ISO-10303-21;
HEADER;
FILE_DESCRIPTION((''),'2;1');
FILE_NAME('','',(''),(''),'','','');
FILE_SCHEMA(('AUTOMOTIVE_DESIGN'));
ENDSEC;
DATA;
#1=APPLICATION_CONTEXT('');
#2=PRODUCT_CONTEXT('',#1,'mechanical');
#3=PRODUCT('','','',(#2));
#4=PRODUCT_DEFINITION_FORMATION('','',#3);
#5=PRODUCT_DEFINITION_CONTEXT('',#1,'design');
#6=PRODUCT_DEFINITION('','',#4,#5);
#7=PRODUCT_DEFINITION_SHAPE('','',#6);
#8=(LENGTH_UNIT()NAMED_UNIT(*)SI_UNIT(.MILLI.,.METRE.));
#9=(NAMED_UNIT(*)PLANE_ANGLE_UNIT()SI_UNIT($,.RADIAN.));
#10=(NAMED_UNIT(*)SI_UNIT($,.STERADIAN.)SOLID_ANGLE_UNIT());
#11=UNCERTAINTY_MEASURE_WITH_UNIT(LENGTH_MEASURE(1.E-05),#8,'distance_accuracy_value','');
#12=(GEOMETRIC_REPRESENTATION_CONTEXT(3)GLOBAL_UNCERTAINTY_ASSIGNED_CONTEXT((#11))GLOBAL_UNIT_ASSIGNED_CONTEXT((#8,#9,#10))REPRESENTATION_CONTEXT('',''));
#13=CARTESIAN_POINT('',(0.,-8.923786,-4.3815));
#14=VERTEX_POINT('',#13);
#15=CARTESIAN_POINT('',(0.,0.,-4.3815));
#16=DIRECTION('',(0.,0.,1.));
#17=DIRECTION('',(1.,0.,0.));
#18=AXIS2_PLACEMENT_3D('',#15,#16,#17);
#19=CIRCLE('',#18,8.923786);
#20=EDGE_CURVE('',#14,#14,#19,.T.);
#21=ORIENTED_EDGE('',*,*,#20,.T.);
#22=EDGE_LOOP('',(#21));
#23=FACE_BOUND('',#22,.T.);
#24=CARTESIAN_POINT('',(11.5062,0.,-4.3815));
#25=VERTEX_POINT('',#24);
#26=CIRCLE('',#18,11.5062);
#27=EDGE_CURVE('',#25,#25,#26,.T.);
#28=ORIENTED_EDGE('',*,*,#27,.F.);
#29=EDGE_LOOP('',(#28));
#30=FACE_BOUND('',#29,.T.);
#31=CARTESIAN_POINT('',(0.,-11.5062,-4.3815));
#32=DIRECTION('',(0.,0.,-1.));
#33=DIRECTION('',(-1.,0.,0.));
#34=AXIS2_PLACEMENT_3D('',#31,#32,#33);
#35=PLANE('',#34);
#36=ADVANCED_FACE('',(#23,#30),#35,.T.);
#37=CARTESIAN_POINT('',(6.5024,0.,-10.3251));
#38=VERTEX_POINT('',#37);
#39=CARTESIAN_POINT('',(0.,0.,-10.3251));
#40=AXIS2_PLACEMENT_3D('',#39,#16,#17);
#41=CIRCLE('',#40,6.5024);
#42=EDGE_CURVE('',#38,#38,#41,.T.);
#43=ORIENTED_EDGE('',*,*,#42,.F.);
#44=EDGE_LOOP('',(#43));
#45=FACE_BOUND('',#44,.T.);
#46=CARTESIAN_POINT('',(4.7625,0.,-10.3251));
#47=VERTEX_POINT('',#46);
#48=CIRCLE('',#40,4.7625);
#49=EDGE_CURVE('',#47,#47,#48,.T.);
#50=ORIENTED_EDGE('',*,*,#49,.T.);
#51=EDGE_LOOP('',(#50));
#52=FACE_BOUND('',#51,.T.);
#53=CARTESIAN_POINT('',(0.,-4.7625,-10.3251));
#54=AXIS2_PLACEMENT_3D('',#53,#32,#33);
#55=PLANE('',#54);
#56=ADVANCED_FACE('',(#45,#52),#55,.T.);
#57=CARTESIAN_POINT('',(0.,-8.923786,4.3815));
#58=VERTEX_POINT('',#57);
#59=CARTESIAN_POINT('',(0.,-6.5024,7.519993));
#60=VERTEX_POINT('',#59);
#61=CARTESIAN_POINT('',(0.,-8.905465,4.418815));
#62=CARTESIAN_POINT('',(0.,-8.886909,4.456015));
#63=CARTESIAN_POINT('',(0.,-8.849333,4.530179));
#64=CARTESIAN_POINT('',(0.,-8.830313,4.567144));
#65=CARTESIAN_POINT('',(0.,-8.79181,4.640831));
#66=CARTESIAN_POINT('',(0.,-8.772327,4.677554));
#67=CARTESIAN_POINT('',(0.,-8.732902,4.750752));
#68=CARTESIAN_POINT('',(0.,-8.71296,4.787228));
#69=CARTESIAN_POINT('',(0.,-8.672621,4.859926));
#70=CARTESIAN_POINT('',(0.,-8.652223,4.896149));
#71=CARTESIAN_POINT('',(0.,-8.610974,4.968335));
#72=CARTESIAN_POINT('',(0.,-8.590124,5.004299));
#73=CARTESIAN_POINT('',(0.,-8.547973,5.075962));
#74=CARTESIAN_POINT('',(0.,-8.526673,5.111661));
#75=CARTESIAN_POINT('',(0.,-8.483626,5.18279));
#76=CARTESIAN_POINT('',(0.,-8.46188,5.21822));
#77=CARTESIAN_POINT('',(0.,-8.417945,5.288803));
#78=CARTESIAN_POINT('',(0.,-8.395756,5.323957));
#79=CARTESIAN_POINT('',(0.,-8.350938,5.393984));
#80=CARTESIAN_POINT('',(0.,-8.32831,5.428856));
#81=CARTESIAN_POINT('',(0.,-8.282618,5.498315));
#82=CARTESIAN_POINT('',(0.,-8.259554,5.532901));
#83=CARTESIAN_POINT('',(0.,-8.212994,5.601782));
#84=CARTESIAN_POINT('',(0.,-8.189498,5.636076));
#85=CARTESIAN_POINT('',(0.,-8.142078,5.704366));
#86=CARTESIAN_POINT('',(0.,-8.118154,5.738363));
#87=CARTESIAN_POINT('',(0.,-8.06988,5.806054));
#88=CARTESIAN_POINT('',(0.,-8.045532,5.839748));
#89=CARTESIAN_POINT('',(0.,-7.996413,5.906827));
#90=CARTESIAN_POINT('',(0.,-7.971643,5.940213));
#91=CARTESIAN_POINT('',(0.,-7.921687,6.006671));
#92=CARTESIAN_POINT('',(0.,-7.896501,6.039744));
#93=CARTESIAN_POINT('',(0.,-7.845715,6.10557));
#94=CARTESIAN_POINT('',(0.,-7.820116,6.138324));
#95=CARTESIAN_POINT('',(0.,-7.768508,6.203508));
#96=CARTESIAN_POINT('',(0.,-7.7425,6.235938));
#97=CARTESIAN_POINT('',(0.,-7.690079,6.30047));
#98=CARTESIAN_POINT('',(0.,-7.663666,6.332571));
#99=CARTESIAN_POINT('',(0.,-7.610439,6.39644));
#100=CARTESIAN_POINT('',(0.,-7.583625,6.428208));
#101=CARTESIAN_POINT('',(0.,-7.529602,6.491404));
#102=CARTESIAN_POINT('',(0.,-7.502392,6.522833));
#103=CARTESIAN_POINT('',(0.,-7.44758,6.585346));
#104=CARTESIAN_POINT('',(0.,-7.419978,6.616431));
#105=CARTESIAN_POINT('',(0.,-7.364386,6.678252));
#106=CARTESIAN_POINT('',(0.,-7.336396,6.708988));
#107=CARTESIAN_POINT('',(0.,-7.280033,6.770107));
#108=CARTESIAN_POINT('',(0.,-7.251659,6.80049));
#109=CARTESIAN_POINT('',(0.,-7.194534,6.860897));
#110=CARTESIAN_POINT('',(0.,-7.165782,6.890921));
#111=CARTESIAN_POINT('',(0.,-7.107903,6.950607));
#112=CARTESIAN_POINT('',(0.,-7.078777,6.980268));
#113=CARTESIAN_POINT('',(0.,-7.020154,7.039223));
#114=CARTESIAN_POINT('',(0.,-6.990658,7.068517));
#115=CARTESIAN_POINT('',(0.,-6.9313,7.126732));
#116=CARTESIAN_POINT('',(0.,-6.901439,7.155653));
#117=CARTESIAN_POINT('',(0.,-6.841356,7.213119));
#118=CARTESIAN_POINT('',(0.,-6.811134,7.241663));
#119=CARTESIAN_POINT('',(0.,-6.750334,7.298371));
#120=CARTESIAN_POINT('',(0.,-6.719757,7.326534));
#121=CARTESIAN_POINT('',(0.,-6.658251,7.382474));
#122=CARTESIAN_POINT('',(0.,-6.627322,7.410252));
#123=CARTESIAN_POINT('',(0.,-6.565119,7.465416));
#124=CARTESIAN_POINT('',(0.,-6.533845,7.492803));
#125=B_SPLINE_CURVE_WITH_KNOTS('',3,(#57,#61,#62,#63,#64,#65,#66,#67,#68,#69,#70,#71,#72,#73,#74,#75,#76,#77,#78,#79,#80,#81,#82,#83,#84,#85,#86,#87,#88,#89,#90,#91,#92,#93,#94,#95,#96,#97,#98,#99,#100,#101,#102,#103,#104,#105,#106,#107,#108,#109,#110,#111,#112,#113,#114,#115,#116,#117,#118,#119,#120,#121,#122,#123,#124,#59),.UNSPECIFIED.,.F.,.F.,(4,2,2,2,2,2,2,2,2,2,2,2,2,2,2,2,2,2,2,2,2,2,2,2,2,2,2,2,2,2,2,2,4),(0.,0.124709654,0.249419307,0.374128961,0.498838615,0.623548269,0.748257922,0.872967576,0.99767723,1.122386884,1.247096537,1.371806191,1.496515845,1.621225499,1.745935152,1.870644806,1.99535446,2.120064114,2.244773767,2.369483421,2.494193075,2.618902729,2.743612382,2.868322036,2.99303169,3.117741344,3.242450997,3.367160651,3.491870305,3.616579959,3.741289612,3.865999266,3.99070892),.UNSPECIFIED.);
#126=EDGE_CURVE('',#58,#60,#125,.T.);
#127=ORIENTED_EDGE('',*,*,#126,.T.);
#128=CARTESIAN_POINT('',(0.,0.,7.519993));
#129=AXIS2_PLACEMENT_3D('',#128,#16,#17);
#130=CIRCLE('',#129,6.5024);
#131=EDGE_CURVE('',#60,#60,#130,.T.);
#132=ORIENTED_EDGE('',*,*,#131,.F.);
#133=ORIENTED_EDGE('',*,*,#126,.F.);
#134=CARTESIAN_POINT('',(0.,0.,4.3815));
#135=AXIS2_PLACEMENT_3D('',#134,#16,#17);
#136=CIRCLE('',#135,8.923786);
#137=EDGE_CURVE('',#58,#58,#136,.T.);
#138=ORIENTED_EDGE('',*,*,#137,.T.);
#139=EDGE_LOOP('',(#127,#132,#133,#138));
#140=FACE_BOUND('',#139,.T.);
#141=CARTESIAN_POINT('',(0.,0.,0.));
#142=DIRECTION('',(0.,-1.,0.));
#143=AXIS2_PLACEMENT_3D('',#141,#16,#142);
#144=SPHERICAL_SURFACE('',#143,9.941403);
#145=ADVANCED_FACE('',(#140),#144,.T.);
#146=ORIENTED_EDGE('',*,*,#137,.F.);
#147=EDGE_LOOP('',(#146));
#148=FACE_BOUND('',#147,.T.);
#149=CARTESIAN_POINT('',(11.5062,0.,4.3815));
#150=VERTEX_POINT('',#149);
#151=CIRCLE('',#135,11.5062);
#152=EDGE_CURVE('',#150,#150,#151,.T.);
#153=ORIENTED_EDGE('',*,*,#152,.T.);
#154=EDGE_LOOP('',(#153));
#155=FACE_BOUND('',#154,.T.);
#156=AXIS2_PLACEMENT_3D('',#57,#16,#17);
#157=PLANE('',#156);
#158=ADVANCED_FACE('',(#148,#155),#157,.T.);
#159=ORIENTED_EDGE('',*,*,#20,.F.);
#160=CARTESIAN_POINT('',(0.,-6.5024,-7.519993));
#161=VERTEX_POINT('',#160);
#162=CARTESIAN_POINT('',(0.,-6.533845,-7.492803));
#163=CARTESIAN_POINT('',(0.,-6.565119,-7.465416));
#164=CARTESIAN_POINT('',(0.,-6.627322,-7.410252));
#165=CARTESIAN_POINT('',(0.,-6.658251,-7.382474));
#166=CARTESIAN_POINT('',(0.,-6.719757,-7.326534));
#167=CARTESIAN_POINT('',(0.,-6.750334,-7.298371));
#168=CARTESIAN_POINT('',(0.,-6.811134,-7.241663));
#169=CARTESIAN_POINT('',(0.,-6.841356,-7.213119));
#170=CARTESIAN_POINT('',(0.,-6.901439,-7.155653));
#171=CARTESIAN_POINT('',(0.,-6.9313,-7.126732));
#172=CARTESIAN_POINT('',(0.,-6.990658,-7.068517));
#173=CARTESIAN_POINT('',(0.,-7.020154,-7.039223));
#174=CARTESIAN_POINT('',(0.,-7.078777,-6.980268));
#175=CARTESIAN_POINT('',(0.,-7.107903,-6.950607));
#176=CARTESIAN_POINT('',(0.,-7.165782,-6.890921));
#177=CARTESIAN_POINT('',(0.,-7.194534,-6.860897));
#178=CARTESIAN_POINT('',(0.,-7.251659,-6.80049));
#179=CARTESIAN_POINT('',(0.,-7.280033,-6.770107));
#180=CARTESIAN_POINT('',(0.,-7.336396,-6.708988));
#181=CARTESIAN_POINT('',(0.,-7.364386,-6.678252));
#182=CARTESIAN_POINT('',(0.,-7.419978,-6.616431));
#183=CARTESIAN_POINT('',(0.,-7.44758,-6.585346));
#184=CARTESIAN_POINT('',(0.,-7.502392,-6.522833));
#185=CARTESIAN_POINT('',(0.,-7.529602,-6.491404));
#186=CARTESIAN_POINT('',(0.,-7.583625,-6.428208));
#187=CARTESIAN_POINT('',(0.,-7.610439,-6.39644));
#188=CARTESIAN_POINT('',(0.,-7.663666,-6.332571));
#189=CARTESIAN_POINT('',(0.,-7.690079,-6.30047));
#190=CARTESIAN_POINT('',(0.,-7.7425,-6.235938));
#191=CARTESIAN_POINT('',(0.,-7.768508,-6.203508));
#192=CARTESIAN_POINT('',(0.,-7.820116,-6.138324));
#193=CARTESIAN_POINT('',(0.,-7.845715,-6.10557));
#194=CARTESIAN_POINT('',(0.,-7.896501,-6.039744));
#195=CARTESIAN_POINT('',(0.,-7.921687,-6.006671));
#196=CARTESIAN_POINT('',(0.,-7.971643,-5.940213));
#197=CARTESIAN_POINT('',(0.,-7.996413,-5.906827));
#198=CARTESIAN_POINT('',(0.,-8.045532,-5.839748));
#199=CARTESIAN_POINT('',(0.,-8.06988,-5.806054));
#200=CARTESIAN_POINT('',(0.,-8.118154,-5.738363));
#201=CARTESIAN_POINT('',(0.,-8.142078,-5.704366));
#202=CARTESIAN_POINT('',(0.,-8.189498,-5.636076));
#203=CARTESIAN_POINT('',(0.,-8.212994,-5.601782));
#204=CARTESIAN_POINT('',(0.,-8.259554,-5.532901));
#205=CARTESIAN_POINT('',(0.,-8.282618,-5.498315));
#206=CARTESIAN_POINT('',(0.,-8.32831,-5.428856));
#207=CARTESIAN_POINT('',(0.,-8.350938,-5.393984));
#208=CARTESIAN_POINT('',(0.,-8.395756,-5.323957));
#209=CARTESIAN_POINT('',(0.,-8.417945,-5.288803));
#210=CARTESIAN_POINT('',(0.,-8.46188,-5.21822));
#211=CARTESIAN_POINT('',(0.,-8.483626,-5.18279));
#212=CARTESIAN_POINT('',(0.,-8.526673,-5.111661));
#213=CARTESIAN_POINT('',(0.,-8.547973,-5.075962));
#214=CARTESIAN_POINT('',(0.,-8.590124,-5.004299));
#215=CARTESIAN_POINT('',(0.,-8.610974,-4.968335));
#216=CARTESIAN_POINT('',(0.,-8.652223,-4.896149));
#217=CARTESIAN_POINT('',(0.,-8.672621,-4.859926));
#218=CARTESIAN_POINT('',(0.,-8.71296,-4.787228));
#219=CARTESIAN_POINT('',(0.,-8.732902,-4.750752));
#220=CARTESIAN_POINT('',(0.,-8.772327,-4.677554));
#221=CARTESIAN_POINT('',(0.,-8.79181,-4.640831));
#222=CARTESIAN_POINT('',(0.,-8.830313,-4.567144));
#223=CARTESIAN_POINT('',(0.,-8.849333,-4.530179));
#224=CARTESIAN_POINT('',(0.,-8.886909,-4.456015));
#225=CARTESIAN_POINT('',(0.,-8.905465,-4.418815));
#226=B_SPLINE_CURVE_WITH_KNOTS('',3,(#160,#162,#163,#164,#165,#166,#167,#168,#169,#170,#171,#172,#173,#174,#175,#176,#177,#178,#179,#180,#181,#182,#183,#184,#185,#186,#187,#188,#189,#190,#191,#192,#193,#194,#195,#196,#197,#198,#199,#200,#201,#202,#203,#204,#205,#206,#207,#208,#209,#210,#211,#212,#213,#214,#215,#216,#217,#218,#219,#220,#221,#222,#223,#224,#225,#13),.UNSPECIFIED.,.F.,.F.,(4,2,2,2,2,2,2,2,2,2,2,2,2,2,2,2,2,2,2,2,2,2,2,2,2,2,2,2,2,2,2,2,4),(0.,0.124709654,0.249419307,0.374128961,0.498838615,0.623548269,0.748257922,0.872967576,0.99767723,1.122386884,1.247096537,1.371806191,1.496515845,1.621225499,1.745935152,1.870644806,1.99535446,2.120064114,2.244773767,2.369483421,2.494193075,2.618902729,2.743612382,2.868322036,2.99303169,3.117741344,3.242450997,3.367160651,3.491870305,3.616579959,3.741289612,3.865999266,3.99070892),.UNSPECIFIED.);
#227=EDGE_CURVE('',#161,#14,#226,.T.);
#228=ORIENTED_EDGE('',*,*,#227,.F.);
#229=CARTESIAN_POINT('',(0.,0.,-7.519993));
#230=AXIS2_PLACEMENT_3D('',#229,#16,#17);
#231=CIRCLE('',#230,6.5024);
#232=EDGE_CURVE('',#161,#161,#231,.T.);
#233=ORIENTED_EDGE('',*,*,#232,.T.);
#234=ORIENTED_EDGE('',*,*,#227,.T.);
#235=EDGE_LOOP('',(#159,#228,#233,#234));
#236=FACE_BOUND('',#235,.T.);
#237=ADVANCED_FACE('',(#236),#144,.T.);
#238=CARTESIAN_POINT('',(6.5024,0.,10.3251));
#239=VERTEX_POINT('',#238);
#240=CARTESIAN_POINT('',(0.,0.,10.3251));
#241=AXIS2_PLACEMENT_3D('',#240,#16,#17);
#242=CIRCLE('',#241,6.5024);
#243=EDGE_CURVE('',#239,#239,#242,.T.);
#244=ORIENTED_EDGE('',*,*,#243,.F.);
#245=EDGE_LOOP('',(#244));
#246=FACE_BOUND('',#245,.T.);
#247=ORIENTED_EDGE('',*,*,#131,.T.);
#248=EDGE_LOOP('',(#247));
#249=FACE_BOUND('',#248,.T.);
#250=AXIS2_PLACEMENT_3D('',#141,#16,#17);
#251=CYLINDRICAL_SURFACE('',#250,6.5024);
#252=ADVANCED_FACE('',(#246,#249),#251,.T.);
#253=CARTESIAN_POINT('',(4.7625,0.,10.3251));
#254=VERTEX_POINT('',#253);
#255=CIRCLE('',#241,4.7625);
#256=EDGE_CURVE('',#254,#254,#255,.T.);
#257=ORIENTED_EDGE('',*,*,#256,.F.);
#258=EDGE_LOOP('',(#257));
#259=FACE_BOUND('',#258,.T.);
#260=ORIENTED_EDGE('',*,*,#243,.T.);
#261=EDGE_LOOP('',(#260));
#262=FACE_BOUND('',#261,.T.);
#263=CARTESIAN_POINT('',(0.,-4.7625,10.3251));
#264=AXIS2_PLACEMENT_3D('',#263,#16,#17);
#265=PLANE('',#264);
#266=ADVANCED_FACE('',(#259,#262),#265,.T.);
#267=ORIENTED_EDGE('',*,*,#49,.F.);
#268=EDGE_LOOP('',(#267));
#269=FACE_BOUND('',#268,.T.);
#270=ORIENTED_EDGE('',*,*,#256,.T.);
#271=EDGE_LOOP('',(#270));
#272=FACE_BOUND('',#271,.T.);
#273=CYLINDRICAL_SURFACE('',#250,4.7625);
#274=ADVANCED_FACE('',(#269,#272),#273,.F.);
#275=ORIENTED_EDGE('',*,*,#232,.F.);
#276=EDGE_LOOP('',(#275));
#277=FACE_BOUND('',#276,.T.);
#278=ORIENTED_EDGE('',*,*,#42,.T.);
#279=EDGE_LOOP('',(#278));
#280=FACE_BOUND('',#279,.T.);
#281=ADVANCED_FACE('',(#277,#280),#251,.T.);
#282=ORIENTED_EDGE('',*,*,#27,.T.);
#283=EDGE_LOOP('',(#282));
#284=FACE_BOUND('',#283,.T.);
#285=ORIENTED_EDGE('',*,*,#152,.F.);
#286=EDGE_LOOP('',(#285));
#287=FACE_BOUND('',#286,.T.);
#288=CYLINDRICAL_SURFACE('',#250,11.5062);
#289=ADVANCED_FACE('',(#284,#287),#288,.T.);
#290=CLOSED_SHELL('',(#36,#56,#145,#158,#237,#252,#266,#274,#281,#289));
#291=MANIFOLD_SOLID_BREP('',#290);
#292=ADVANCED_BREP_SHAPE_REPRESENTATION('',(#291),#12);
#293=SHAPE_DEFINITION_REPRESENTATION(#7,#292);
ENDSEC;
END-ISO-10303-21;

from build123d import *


with BuildPart() as part:
    # Sketch1 → Revolve1 (revolve)
    with BuildSketch(Plane(origin=(0, 0, 0), x_dir=(0, 0, -1), z_dir=(1, 0, 0)), mode=Mode.PRIVATE) as revolve1_sk:
        with BuildLine():
            Line((-10.3251, -4.7625), (10.3251, -4.7625))
            Line((10.3251, -4.7625), (10.3251, -6.5024))
            Line((10.3251, -6.5024), (7.519993039, -6.5024))
            ThreePointArc((7.519993039, -6.5024), (6.0726569, -7.871107878), (4.3815, -8.923786125))
            Line((4.3815, -8.923786125), (4.3815, -11.5062))
            Line((4.3815, -11.5062), (-4.3815, -11.5062))
            Line((-4.3815, -11.5062), (-4.3815, -8.923786125))
            ThreePointArc((-4.3815, -8.923786125), (-6.0726569, -7.871107878), (-7.519993039, -6.5024))
            Line((-7.519993039, -6.5024), (-10.3251, -6.5024))
            Line((-10.3251, -6.5024), (-10.3251, -4.7625))
        make_face()
    revolve(revolve1_sk.sketch.rotate(Axis((0, 0, 0), (0, 0, -1)), 270), axis=Axis((0, 0, 0), (0, 0, -1)))


solid = part.part
